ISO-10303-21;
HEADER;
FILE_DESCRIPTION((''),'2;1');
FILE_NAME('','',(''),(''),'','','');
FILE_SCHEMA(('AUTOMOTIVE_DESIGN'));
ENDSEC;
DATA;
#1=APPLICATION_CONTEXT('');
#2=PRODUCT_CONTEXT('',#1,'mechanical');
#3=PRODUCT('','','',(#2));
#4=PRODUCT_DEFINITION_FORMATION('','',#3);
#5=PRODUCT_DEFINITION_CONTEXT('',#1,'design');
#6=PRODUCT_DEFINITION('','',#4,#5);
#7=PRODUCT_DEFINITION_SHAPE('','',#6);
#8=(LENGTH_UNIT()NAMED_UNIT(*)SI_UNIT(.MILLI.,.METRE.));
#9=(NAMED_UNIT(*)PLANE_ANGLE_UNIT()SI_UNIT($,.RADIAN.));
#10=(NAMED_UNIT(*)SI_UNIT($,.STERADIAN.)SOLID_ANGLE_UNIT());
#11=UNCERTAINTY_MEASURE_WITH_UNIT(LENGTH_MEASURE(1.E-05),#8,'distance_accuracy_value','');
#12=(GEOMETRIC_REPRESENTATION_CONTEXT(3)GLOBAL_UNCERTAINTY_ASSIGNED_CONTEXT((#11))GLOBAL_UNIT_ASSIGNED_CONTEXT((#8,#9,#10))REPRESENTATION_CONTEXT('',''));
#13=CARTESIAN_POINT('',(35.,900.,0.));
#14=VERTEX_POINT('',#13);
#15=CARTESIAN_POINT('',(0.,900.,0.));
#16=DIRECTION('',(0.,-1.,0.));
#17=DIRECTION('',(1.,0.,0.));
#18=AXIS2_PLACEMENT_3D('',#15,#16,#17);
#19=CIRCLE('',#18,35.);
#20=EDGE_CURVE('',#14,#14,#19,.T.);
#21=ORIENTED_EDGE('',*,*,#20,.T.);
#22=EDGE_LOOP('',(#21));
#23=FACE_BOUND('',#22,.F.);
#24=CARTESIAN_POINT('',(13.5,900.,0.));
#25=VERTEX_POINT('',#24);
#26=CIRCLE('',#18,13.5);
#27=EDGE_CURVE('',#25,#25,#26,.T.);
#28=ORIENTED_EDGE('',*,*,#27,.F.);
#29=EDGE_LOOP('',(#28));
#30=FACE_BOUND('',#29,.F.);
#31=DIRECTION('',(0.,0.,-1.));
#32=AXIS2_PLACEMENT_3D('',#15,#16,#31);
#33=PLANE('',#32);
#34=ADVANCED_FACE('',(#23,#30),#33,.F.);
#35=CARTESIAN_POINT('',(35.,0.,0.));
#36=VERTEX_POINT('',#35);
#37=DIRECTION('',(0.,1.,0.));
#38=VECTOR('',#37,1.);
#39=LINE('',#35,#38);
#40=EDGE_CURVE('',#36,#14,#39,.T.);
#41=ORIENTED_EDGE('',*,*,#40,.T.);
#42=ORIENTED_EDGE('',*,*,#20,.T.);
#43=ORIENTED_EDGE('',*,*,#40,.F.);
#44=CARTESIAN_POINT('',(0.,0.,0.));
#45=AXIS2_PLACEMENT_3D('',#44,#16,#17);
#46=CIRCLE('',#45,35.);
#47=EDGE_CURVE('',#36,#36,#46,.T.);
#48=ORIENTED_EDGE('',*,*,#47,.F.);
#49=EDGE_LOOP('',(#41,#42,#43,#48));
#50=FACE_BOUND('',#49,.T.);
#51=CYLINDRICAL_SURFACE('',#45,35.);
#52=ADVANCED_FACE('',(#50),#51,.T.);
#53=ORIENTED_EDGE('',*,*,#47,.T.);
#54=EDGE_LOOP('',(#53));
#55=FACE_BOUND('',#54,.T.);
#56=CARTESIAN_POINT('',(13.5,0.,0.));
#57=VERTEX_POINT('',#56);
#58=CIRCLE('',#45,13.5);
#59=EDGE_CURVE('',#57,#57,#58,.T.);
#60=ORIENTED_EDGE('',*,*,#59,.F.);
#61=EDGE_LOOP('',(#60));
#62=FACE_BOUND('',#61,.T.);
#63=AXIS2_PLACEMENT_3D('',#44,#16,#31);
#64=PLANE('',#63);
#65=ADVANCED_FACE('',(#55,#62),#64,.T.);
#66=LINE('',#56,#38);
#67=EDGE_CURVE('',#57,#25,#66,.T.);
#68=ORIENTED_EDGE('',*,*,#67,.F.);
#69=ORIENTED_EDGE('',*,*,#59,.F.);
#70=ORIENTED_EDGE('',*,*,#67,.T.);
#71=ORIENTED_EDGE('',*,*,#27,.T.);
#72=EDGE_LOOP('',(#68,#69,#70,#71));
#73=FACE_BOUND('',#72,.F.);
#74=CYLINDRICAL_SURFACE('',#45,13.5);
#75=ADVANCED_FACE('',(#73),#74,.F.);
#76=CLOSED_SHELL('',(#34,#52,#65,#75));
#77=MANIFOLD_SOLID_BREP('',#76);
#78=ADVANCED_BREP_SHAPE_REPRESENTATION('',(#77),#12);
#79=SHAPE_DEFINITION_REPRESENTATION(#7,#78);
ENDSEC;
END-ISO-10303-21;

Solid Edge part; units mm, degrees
sketch "Sketch1" plane through (0, 0, 0) normal (0, -1, 0) x (1, 0, 0)
  circle A0 centre (0, 0) radius 13.5
  circle A1 centre (0, 0) radius 35
extrude "Protrusion1" add sketch "Sketch1" against normal blind 900
